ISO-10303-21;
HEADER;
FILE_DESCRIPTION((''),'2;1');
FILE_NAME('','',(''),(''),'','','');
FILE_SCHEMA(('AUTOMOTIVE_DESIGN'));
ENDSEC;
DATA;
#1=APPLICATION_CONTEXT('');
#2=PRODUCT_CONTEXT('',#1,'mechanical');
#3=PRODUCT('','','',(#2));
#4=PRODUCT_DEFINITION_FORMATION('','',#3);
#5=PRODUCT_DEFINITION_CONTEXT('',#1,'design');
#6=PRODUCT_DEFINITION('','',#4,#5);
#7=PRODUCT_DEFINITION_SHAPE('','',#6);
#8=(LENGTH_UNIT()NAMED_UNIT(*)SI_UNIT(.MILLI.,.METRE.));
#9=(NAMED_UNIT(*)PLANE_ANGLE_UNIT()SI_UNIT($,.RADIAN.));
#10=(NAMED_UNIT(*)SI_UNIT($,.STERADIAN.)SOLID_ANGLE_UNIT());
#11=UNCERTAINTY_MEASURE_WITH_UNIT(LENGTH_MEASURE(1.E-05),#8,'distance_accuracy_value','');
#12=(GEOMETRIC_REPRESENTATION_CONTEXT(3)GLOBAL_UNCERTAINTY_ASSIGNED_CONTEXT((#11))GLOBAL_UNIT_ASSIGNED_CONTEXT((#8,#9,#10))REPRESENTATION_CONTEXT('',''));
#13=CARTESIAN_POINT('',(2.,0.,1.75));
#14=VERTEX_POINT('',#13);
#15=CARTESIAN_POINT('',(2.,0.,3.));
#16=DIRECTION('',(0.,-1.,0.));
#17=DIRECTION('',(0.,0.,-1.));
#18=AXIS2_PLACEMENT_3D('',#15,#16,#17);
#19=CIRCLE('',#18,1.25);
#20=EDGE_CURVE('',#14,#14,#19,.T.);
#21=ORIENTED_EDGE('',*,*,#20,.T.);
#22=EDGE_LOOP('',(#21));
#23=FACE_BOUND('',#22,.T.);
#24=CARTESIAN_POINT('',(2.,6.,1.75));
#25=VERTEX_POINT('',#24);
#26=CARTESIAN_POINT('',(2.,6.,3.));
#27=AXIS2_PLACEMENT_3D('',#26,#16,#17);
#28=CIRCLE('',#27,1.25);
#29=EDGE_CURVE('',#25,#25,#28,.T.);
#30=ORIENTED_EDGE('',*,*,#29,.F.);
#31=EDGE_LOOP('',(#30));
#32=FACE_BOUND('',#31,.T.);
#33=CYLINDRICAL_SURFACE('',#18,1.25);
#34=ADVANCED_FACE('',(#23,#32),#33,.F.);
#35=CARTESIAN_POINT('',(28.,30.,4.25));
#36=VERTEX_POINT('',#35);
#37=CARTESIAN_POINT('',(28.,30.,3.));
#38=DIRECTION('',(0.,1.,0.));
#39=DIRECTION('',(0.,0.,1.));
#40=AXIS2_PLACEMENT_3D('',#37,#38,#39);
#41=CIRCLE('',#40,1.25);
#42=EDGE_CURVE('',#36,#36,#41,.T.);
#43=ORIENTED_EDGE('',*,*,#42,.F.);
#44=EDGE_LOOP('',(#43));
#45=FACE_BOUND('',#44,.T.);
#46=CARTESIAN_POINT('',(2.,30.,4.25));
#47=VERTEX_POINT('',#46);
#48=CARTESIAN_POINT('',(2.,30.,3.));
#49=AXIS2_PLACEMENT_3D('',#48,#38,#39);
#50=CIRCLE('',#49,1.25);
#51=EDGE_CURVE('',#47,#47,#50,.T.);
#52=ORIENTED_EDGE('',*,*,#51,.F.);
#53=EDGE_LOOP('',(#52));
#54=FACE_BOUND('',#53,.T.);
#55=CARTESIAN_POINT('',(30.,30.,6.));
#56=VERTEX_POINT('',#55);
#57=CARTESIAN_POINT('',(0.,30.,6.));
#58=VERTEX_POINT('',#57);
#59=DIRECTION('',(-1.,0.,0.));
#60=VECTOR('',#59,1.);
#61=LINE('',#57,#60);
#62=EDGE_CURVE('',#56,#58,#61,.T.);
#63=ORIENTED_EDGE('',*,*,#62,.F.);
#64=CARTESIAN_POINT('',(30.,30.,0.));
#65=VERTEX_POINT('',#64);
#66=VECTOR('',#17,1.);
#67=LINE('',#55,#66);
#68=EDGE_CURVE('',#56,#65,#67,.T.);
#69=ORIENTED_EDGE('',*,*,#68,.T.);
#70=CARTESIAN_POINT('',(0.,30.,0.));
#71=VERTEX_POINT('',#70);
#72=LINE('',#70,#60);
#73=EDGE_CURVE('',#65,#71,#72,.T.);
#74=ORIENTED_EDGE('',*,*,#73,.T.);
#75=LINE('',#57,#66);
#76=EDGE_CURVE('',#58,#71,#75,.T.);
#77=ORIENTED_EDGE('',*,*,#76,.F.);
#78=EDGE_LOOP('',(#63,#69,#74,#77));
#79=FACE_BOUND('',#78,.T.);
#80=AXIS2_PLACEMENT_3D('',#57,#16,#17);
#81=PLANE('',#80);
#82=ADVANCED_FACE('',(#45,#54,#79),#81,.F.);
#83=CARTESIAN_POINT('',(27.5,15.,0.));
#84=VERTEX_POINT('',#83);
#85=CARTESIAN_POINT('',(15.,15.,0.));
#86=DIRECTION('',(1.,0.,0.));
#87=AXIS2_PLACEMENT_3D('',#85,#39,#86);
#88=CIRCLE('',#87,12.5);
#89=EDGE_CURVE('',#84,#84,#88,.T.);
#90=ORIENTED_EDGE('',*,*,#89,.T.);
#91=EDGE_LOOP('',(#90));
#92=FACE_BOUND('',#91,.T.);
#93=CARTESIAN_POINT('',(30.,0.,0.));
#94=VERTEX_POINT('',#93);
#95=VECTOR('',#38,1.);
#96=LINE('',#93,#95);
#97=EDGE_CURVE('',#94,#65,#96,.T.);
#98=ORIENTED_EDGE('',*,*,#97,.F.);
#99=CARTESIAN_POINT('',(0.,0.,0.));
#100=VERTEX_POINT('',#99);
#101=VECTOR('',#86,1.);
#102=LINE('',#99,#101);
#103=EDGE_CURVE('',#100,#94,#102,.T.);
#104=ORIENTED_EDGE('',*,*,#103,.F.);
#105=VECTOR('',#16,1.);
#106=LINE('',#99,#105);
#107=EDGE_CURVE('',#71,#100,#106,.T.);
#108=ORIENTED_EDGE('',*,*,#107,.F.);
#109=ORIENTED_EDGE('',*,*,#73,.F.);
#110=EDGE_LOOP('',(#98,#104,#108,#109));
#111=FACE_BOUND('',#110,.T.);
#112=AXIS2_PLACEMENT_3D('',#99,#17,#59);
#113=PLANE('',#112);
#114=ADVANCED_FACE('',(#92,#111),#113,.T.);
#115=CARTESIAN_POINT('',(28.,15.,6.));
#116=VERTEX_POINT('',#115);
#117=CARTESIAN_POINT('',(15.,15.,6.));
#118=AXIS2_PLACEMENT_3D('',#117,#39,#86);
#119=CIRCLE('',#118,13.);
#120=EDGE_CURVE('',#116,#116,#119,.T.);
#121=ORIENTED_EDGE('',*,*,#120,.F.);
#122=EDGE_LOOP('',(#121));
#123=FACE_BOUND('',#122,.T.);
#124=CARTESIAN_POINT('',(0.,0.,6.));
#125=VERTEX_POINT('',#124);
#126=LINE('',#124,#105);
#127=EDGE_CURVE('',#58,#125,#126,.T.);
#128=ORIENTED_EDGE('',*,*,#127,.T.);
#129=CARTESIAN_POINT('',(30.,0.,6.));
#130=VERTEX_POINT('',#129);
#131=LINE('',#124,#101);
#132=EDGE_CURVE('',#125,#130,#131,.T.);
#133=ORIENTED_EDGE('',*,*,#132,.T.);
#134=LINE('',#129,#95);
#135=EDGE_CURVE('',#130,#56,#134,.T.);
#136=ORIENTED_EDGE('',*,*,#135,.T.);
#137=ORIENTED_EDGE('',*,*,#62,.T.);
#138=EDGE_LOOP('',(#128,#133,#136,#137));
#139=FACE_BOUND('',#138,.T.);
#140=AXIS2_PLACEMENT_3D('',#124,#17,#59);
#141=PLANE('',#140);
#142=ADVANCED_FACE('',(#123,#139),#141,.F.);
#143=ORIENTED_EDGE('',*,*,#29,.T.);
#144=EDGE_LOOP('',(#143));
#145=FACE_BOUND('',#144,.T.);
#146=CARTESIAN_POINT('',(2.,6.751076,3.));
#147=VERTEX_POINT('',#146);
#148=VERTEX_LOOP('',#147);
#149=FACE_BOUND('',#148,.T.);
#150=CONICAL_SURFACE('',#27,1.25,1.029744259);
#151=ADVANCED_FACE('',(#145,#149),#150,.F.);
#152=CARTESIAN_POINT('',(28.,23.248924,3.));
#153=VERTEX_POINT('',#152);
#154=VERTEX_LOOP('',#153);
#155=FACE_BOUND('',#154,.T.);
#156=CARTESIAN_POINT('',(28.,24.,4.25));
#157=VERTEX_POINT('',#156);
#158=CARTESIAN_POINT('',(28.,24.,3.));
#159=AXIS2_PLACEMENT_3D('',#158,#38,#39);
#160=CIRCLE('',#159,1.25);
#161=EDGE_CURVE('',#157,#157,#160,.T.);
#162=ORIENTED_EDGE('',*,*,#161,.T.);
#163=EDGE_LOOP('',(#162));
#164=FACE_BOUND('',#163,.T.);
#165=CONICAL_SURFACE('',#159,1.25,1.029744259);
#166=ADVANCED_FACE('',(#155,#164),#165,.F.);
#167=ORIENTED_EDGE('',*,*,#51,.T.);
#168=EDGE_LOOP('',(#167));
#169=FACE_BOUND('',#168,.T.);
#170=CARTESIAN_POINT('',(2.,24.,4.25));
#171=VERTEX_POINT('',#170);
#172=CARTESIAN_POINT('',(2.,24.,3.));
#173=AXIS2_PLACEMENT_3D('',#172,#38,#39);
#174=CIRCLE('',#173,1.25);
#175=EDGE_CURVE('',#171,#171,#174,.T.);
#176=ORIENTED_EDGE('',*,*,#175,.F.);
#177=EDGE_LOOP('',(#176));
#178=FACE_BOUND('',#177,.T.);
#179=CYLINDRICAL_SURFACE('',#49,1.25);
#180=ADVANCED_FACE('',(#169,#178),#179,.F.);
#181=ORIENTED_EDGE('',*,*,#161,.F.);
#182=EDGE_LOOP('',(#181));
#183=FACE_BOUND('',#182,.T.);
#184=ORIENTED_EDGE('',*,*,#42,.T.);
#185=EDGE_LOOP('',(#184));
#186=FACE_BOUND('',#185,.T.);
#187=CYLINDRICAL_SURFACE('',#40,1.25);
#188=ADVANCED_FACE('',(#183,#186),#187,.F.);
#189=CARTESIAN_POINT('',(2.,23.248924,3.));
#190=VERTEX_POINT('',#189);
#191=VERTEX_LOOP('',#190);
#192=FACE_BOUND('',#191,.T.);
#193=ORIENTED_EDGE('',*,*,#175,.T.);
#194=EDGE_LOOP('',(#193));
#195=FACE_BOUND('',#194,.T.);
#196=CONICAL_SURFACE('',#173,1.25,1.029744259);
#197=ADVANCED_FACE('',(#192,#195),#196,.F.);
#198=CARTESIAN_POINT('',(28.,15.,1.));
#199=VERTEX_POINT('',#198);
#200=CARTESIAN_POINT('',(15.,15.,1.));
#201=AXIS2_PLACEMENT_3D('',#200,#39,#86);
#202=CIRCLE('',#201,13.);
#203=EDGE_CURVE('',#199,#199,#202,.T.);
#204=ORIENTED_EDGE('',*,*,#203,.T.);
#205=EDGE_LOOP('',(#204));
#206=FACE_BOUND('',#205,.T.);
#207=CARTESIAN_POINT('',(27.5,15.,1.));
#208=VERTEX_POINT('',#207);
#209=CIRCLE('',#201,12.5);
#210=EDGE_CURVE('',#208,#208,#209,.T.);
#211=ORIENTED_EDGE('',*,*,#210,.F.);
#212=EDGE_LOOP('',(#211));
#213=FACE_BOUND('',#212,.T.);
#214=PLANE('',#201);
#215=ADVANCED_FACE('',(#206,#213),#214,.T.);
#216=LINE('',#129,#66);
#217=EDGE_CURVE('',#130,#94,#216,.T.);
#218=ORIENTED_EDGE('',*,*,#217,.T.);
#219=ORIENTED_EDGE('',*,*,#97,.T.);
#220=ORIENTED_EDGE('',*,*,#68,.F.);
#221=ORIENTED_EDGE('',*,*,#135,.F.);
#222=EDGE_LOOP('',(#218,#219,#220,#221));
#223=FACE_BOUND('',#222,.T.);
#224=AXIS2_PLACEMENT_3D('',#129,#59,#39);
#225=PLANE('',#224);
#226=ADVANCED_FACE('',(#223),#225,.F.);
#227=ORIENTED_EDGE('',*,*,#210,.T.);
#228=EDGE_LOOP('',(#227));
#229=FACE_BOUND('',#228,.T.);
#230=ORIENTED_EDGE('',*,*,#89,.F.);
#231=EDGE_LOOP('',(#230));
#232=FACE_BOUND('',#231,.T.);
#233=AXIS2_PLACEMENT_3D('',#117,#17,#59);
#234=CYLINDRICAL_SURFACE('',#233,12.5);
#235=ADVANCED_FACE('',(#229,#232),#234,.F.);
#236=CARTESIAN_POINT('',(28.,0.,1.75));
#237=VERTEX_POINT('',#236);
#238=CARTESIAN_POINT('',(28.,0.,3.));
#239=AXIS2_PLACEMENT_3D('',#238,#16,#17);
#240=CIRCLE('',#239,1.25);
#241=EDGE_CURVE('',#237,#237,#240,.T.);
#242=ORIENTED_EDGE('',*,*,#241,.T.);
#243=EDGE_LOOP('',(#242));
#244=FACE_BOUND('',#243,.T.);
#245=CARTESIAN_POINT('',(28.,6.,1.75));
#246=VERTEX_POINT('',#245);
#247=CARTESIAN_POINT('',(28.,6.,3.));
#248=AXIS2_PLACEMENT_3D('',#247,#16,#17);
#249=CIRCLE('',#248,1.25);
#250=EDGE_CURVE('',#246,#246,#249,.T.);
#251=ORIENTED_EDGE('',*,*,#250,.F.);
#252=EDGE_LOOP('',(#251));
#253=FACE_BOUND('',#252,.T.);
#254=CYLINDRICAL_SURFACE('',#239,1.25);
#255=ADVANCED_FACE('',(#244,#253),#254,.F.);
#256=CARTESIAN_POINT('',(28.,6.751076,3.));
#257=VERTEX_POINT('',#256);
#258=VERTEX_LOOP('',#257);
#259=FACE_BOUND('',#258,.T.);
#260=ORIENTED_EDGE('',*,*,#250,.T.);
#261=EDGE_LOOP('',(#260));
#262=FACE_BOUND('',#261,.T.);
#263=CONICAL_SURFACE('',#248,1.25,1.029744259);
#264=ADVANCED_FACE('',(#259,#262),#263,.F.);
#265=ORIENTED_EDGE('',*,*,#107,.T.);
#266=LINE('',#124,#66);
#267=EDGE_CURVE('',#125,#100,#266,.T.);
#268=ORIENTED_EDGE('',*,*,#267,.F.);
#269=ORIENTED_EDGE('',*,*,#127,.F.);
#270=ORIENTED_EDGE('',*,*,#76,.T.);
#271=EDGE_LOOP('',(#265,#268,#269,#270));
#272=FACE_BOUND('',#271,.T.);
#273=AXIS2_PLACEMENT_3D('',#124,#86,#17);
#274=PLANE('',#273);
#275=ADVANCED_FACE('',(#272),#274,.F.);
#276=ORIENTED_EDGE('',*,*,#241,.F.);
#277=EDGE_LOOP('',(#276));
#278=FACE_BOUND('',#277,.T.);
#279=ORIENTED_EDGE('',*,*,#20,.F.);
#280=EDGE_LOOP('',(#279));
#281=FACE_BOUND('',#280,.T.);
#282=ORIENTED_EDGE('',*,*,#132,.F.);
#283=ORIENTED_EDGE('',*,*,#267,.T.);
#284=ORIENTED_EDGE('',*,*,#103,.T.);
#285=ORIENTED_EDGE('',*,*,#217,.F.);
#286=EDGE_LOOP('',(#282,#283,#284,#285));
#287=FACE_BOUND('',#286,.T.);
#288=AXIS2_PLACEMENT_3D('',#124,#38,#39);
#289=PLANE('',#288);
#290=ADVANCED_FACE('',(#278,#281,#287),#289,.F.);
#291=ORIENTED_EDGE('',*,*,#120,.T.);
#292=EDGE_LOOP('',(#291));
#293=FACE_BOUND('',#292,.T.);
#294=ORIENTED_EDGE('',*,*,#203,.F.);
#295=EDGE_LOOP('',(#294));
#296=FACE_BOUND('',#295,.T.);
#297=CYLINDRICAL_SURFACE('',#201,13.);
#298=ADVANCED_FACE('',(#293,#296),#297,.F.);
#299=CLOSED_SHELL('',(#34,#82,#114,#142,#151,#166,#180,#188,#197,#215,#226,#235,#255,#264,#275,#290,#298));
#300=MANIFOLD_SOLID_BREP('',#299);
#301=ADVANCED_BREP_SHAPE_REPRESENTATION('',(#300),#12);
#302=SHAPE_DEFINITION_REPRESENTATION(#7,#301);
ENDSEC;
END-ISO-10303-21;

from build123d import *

# Parameters (mm, degrees)
ESQUISSE1_W                                   = 30
ESQUISSE1_H                                   = 30
ESQUISSE1_R                                   = 12.5
BOSS_EXTRU_1_DEPTH                            = 6
ESQUISSE3_R                                   = 13
ENL_V_MAT_EXTRU_1_DEPTH                       = 5
TROU_POUR_TARAUDAGE_POUR_TROU_TARAUD_M3_D     = 2.5
TROU_POUR_TARAUDAGE_POUR_TROU_TARAUD_M3_DEPTH = 6
TROU_POUR_TARAUDAGE_POUR_TROU_TARAUD_M3_TIP   = 0.751075774
TROU_POUR_TARAUDAGE_POUR_TROU_TARAUD_2_D      = 2.5
TROU_POUR_TARAUDAGE_POUR_TROU_TARAUD_2_DEPTH  = 6
TROU_POUR_TARAUDAGE_POUR_TROU_TARAUD_2_TIP    = 0.751075774


with BuildPart() as part:
    # Esquisse1 → Boss.-Extru.1 (new body)
    with BuildSketch(Plane.XY):
        with Locations((15, 15)):
            Rectangle(ESQUISSE1_W, ESQUISSE1_H)
        with Locations((15, 15)):
            Circle(ESQUISSE1_R, mode=Mode.SUBTRACT)
    extrude(amount=BOSS_EXTRU_1_DEPTH)

    # Esquisse3 → Enlèv. mat.-Extru.1 (cut)
    with BuildSketch(Plane.XY.offset(6)):
        with Locations((15, 15)):
            Circle(ESQUISSE3_R)
    extrude(amount=-ENL_V_MAT_EXTRU_1_DEPTH, mode=Mode.SUBTRACT)

    # Trou pour taraudage pour trou taraud_ M3
    with Locations(Plane(origin=(0, 30, 0), x_dir=(1, 0, 0), z_dir=(0, 1, 0))):
        with Locations((2, -3), (28, -3)):
            Hole(TROU_POUR_TARAUDAGE_POUR_TROU_TARAUD_M3_D / 2, depth=TROU_POUR_TARAUDAGE_POUR_TROU_TARAUD_M3_DEPTH)
            with Locations((0, 0, -(TROU_POUR_TARAUDAGE_POUR_TROU_TARAUD_M3_DEPTH + TROU_POUR_TARAUDAGE_POUR_TROU_TARAUD_M3_TIP / 2))):  # 118° drill point
                Cone(0, TROU_POUR_TARAUDAGE_POUR_TROU_TARAUD_M3_D / 2, TROU_POUR_TARAUDAGE_POUR_TROU_TARAUD_M3_TIP, mode=Mode.SUBTRACT)

    # Trou pour taraudage pour trou taraud 2
    with Locations(Plane(origin=(0, 0, 0), x_dir=(-1, 0, 0), z_dir=(0, -1, 0))):
        with Locations((-2, -3), (-28, -3)):
            Hole(TROU_POUR_TARAUDAGE_POUR_TROU_TARAUD_2_D / 2, depth=TROU_POUR_TARAUDAGE_POUR_TROU_TARAUD_2_DEPTH)
            with Locations((0, 0, -(TROU_POUR_TARAUDAGE_POUR_TROU_TARAUD_2_DEPTH + TROU_POUR_TARAUDAGE_POUR_TROU_TARAUD_2_TIP / 2))):  # 118° drill point
                Cone(0, TROU_POUR_TARAUDAGE_POUR_TROU_TARAUD_2_D / 2, TROU_POUR_TARAUDAGE_POUR_TROU_TARAUD_2_TIP, mode=Mode.SUBTRACT)


solid = part.part
